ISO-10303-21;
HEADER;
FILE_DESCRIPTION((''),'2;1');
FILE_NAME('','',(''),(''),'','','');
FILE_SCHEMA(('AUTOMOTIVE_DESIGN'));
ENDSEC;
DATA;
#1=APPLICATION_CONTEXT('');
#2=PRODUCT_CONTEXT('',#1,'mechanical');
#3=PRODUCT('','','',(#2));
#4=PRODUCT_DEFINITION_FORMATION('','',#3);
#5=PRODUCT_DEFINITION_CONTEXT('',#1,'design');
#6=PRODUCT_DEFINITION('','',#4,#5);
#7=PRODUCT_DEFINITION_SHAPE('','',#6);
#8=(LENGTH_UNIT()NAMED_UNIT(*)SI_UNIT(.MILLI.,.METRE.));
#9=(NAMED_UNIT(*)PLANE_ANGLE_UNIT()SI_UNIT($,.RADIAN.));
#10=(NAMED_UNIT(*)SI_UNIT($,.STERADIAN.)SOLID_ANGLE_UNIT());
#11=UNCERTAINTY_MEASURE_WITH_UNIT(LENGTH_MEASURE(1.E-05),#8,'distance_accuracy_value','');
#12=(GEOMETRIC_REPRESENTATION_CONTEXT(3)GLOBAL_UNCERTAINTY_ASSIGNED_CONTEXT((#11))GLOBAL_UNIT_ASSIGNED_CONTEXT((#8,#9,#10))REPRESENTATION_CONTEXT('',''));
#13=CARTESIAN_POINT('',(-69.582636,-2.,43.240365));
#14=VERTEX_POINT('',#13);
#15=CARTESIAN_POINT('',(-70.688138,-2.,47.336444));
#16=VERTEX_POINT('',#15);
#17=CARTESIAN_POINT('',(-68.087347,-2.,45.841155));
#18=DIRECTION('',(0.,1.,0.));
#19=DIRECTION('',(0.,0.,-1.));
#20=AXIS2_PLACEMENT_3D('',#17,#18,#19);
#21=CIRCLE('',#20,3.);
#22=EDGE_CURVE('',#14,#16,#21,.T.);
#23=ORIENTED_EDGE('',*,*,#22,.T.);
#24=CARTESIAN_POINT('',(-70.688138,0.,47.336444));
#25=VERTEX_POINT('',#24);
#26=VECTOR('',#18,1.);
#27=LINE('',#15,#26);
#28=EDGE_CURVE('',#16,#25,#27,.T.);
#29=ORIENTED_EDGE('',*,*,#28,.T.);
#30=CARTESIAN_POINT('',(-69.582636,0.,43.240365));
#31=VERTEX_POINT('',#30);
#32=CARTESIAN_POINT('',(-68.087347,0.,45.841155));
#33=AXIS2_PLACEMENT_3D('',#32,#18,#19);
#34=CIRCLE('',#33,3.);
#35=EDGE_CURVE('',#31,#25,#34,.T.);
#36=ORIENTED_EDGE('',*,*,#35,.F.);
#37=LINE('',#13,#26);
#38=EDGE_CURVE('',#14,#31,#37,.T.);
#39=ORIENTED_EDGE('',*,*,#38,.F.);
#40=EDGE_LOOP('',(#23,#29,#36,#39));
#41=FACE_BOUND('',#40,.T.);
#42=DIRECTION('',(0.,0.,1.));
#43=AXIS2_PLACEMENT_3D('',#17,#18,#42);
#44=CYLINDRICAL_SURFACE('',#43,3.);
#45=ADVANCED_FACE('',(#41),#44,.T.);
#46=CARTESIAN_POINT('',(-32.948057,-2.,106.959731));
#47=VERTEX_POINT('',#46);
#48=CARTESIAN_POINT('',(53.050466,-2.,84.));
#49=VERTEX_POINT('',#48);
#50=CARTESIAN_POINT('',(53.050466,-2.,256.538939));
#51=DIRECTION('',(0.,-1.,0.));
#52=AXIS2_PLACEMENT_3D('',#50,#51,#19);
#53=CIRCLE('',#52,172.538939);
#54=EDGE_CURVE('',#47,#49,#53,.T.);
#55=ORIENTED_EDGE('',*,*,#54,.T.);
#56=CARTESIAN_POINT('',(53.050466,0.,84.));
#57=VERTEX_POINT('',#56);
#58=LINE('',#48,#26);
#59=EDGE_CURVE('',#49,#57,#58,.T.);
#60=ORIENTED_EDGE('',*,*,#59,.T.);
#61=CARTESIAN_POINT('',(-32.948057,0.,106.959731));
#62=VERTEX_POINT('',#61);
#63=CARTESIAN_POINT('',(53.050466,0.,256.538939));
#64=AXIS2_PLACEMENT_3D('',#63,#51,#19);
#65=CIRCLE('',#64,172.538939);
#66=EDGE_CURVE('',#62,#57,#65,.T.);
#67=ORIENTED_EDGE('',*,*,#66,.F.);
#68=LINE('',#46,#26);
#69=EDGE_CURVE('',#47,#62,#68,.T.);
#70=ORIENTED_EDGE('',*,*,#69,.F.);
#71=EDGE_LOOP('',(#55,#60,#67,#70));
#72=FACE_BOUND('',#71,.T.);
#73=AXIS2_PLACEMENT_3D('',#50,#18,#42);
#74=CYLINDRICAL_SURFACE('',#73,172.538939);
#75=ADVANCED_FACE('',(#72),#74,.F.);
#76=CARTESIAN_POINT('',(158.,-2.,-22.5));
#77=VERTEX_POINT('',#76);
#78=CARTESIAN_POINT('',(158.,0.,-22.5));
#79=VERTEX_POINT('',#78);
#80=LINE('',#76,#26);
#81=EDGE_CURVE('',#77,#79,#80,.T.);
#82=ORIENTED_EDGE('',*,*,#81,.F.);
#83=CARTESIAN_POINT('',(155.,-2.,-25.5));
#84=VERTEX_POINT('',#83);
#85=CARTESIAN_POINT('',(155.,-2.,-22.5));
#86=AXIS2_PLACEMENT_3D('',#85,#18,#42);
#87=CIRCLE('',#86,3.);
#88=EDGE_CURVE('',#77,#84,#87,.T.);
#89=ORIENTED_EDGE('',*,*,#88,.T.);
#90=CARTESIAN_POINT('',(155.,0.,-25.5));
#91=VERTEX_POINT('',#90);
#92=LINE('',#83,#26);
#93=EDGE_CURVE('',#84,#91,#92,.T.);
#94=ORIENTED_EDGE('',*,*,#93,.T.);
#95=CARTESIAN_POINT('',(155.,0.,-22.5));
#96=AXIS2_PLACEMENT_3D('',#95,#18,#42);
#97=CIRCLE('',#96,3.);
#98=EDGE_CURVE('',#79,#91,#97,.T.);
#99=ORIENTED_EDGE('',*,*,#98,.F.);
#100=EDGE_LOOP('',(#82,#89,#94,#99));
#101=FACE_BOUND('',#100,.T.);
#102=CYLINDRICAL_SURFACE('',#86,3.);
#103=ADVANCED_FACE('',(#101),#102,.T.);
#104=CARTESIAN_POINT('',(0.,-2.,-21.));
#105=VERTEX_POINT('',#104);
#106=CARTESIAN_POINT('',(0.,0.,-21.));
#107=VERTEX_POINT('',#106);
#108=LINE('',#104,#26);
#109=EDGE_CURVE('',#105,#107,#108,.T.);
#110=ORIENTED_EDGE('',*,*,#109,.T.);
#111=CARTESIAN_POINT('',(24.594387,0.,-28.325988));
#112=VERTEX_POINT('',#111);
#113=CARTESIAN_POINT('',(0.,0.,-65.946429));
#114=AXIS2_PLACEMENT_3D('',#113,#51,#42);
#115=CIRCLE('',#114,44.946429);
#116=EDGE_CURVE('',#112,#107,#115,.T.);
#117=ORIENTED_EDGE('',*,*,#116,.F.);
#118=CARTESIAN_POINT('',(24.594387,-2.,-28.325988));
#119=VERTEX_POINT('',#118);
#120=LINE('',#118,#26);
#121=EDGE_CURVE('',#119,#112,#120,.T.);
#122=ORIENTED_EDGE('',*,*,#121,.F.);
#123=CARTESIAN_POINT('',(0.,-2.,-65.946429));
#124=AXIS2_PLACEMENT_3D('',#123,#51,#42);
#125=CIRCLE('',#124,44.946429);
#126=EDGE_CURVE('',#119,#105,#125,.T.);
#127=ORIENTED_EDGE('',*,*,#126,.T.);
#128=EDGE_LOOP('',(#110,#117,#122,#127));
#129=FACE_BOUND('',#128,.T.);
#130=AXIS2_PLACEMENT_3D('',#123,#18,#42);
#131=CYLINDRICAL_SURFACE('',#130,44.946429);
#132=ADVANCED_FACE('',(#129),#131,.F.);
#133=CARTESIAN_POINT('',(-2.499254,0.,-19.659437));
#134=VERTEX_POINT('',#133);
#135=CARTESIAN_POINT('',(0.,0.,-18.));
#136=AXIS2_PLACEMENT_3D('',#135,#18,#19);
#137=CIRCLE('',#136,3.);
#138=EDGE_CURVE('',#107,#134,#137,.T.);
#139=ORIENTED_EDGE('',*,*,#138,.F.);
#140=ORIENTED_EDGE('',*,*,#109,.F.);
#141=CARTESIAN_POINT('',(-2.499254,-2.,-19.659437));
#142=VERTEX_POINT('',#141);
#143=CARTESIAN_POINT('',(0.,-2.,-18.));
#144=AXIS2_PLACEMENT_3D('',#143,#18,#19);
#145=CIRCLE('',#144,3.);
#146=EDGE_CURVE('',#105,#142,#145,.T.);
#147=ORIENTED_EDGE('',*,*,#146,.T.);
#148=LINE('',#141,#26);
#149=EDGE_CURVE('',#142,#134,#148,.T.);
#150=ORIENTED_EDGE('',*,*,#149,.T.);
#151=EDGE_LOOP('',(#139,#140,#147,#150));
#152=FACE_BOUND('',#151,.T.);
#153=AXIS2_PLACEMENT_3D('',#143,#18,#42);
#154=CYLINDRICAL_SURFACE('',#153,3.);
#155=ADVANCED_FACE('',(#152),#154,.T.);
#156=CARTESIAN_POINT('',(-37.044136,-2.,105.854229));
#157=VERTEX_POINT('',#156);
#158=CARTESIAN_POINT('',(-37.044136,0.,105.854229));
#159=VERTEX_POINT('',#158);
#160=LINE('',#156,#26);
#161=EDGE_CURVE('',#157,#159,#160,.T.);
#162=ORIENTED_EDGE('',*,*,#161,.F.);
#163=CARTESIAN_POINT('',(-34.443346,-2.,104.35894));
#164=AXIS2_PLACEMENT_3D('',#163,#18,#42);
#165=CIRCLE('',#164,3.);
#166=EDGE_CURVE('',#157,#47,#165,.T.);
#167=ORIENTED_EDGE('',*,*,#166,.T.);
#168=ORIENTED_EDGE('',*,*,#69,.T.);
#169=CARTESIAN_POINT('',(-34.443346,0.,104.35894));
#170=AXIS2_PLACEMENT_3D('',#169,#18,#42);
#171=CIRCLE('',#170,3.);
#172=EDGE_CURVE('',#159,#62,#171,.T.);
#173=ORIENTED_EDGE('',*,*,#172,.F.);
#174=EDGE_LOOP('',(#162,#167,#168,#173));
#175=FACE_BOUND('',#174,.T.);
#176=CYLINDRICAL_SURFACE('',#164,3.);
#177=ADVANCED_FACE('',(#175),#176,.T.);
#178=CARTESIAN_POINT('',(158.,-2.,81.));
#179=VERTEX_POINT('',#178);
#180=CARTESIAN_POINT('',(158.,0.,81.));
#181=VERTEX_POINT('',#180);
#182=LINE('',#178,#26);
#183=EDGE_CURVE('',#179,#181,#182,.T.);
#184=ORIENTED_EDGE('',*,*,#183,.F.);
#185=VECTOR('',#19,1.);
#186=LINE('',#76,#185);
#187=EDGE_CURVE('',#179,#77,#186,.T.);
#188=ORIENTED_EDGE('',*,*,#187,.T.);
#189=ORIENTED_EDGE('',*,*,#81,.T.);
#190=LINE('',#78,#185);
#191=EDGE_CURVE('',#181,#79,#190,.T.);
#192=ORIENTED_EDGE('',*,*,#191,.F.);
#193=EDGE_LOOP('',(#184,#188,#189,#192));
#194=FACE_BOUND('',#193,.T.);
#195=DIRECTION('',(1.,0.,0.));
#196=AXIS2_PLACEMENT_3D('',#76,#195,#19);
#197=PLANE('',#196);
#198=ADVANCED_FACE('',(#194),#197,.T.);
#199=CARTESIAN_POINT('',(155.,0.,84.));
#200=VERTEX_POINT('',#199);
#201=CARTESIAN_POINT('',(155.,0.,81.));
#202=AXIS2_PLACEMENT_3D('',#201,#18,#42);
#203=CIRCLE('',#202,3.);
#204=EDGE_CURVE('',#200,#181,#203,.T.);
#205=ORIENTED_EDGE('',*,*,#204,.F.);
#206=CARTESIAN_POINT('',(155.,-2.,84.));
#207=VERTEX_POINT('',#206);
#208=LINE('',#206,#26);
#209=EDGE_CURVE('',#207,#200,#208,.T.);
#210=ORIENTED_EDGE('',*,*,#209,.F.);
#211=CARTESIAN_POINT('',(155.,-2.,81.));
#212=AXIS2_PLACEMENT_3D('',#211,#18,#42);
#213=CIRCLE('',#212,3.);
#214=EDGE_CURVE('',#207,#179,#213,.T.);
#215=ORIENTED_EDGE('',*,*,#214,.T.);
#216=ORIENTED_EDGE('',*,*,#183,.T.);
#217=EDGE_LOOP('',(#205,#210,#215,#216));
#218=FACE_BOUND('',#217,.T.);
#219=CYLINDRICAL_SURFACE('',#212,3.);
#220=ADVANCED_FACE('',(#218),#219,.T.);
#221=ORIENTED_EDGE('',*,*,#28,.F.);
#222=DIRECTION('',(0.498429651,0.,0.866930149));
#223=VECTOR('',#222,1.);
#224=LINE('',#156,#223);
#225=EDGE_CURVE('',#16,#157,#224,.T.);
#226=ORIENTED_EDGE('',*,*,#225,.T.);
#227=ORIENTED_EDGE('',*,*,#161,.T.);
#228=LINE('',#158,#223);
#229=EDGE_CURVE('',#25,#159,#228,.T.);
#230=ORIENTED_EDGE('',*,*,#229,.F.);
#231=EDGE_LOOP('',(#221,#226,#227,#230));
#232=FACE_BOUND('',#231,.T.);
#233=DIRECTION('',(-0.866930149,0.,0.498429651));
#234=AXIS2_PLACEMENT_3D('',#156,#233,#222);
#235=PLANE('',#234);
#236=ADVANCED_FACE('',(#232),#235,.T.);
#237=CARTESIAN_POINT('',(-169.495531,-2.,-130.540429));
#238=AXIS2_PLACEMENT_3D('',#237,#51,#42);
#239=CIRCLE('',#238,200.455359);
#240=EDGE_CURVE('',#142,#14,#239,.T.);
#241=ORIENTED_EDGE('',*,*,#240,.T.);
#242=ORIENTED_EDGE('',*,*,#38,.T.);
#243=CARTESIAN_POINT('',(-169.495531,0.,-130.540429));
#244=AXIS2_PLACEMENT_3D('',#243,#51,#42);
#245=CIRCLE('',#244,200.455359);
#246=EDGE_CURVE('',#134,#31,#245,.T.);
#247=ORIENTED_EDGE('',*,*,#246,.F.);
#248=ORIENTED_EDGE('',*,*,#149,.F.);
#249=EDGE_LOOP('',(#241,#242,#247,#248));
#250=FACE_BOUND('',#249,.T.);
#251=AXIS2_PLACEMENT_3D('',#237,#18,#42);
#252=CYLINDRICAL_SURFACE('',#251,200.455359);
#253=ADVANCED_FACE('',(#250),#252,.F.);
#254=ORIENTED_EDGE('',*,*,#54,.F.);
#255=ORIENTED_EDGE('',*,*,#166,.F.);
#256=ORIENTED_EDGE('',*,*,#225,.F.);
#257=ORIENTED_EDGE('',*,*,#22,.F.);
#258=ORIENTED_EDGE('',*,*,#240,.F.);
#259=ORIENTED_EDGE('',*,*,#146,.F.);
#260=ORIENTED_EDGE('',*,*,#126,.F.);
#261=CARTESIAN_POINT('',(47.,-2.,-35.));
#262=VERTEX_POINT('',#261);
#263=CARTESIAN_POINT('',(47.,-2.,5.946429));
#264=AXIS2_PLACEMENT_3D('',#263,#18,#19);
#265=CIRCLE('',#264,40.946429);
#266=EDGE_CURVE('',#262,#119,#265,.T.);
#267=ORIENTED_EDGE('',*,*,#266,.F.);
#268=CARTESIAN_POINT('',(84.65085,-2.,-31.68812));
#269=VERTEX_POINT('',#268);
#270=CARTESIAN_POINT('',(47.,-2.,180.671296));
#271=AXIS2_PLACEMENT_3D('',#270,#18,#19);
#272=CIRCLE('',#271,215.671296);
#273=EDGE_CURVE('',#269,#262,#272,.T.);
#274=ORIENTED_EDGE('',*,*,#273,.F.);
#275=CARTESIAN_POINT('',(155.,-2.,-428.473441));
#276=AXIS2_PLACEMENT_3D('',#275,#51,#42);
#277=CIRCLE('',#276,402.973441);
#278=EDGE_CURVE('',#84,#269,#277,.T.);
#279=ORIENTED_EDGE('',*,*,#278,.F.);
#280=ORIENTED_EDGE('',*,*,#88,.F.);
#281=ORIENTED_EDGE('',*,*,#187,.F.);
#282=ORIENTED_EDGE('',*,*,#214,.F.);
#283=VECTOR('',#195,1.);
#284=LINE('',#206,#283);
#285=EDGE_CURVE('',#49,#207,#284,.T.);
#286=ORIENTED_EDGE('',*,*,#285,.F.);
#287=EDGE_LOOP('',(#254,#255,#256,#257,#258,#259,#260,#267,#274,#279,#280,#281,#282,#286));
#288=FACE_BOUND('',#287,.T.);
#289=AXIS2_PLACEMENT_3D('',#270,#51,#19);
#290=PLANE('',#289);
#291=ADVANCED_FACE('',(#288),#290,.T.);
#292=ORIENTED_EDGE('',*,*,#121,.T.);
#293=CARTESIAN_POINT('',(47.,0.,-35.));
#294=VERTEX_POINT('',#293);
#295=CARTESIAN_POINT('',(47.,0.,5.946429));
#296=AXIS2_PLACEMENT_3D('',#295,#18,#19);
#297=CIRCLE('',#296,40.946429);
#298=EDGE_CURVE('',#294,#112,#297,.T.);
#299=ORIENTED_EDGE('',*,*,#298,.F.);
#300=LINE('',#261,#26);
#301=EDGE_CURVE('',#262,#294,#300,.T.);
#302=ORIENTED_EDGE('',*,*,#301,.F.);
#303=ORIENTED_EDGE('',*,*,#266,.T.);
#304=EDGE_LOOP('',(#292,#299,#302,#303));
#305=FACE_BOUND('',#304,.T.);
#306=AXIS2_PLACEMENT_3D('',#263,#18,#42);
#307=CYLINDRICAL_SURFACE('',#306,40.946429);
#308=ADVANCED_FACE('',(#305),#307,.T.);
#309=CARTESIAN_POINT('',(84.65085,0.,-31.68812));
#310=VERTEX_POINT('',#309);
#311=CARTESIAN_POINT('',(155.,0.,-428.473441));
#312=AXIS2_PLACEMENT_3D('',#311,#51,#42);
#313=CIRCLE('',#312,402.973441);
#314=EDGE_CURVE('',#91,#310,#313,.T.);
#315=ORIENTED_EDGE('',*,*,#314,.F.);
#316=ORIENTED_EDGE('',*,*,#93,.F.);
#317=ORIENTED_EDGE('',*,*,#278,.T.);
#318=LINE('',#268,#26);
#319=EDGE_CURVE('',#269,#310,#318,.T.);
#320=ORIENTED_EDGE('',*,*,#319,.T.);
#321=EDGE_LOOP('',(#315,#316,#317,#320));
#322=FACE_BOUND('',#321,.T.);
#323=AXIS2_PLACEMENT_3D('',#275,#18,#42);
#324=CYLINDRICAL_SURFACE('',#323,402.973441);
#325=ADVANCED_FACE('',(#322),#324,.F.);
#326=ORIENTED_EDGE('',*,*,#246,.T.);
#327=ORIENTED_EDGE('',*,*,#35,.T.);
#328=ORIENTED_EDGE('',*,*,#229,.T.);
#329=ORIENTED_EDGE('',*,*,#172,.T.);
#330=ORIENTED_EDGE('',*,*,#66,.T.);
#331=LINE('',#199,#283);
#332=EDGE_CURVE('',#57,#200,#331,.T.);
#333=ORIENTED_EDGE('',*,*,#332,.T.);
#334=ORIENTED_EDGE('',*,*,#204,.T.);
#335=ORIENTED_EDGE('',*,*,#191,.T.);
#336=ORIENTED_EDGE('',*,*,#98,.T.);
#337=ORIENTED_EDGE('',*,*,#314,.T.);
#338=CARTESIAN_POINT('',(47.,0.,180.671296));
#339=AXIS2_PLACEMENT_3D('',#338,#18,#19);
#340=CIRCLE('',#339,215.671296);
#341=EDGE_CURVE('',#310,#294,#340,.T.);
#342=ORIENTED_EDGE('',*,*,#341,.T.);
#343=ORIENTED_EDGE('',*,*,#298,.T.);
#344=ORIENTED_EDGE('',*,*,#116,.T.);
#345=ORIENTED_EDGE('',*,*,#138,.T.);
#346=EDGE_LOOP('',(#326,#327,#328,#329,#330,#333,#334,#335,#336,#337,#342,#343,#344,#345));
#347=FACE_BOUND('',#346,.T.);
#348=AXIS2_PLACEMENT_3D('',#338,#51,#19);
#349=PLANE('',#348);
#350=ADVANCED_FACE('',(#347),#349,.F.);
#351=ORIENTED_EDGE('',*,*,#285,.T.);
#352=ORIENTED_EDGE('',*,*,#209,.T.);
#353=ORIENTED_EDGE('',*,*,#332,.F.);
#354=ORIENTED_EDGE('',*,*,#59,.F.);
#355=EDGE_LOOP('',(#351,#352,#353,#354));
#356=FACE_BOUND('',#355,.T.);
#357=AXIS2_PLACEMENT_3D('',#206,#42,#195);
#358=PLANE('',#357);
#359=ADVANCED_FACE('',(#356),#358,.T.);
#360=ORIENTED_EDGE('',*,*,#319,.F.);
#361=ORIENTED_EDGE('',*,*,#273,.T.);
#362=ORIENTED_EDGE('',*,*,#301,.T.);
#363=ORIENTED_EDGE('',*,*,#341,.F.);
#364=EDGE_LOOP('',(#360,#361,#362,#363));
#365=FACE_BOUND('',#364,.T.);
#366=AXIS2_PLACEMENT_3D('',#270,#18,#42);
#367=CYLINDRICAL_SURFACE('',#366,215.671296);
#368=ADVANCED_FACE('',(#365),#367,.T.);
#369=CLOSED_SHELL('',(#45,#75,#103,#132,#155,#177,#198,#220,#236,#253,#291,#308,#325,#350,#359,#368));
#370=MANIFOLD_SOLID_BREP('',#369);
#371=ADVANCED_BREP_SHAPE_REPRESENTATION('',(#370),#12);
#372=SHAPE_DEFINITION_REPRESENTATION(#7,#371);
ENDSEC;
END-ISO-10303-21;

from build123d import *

# Parameters (mm, degrees)
BOSS_EXTRUDE1_DEPTH = 2


with BuildPart() as part:
    # Sketch3 → Boss-Extrude1 (new body)
    with BuildSketch(Plane(origin=(0, 0, 0), x_dir=(1, 0, 0), z_dir=(0, 1, 0))):
        with BuildLine():
            Line((158, 22.5), (158, -81))
            ThreePointArc((158, -81), (157.121320344, -83.121320344), (155, -84))
            Line((155, -84), (53.050466482, -84))
            ThreePointArc((53.050466482, -84), (8.545143105, -89.838724048), (-32.948056713, -106.959730921))
            ThreePointArc((-32.948056713, -106.959730921), (-35.225053269, -107.255305993), (-37.044136112, -105.854229426))
            Line((-37.044136112, -105.854229426), (-70.68813753, -47.336444363))
            ThreePointArc((-70.68813753, -47.336444363), (-70.983712602, -45.059447807), (-69.582636034, -43.240364964))
            ThreePointArc((-69.582636034, -43.240364964), (-32.385273168, -15.689281312), (-2.499253861, 19.659436693))
            ThreePointArc((-2.499253861, 19.659436693), (-1.418042651, 20.643701012), (0, 21))
            ThreePointArc((0, 21), (12.831153008, 22.8704149), (24.594386694, 28.325987526))
            ThreePointArc((24.594386694, 28.325987526), (35.310753338, 33.296042365), (47, 35))
            ThreePointArc((47, 35), (65.898115208, 34.170434491), (84.650849693, 31.688119703))
            ThreePointArc((84.650849693, 31.688119703), (119.689605729, 27.050010933), (155, 25.5))
            ThreePointArc((155, 25.5), (157.121320344, 24.621320344), (158, 22.5))
        make_face()
    extrude(amount=-BOSS_EXTRUDE1_DEPTH)


solid = part.part
